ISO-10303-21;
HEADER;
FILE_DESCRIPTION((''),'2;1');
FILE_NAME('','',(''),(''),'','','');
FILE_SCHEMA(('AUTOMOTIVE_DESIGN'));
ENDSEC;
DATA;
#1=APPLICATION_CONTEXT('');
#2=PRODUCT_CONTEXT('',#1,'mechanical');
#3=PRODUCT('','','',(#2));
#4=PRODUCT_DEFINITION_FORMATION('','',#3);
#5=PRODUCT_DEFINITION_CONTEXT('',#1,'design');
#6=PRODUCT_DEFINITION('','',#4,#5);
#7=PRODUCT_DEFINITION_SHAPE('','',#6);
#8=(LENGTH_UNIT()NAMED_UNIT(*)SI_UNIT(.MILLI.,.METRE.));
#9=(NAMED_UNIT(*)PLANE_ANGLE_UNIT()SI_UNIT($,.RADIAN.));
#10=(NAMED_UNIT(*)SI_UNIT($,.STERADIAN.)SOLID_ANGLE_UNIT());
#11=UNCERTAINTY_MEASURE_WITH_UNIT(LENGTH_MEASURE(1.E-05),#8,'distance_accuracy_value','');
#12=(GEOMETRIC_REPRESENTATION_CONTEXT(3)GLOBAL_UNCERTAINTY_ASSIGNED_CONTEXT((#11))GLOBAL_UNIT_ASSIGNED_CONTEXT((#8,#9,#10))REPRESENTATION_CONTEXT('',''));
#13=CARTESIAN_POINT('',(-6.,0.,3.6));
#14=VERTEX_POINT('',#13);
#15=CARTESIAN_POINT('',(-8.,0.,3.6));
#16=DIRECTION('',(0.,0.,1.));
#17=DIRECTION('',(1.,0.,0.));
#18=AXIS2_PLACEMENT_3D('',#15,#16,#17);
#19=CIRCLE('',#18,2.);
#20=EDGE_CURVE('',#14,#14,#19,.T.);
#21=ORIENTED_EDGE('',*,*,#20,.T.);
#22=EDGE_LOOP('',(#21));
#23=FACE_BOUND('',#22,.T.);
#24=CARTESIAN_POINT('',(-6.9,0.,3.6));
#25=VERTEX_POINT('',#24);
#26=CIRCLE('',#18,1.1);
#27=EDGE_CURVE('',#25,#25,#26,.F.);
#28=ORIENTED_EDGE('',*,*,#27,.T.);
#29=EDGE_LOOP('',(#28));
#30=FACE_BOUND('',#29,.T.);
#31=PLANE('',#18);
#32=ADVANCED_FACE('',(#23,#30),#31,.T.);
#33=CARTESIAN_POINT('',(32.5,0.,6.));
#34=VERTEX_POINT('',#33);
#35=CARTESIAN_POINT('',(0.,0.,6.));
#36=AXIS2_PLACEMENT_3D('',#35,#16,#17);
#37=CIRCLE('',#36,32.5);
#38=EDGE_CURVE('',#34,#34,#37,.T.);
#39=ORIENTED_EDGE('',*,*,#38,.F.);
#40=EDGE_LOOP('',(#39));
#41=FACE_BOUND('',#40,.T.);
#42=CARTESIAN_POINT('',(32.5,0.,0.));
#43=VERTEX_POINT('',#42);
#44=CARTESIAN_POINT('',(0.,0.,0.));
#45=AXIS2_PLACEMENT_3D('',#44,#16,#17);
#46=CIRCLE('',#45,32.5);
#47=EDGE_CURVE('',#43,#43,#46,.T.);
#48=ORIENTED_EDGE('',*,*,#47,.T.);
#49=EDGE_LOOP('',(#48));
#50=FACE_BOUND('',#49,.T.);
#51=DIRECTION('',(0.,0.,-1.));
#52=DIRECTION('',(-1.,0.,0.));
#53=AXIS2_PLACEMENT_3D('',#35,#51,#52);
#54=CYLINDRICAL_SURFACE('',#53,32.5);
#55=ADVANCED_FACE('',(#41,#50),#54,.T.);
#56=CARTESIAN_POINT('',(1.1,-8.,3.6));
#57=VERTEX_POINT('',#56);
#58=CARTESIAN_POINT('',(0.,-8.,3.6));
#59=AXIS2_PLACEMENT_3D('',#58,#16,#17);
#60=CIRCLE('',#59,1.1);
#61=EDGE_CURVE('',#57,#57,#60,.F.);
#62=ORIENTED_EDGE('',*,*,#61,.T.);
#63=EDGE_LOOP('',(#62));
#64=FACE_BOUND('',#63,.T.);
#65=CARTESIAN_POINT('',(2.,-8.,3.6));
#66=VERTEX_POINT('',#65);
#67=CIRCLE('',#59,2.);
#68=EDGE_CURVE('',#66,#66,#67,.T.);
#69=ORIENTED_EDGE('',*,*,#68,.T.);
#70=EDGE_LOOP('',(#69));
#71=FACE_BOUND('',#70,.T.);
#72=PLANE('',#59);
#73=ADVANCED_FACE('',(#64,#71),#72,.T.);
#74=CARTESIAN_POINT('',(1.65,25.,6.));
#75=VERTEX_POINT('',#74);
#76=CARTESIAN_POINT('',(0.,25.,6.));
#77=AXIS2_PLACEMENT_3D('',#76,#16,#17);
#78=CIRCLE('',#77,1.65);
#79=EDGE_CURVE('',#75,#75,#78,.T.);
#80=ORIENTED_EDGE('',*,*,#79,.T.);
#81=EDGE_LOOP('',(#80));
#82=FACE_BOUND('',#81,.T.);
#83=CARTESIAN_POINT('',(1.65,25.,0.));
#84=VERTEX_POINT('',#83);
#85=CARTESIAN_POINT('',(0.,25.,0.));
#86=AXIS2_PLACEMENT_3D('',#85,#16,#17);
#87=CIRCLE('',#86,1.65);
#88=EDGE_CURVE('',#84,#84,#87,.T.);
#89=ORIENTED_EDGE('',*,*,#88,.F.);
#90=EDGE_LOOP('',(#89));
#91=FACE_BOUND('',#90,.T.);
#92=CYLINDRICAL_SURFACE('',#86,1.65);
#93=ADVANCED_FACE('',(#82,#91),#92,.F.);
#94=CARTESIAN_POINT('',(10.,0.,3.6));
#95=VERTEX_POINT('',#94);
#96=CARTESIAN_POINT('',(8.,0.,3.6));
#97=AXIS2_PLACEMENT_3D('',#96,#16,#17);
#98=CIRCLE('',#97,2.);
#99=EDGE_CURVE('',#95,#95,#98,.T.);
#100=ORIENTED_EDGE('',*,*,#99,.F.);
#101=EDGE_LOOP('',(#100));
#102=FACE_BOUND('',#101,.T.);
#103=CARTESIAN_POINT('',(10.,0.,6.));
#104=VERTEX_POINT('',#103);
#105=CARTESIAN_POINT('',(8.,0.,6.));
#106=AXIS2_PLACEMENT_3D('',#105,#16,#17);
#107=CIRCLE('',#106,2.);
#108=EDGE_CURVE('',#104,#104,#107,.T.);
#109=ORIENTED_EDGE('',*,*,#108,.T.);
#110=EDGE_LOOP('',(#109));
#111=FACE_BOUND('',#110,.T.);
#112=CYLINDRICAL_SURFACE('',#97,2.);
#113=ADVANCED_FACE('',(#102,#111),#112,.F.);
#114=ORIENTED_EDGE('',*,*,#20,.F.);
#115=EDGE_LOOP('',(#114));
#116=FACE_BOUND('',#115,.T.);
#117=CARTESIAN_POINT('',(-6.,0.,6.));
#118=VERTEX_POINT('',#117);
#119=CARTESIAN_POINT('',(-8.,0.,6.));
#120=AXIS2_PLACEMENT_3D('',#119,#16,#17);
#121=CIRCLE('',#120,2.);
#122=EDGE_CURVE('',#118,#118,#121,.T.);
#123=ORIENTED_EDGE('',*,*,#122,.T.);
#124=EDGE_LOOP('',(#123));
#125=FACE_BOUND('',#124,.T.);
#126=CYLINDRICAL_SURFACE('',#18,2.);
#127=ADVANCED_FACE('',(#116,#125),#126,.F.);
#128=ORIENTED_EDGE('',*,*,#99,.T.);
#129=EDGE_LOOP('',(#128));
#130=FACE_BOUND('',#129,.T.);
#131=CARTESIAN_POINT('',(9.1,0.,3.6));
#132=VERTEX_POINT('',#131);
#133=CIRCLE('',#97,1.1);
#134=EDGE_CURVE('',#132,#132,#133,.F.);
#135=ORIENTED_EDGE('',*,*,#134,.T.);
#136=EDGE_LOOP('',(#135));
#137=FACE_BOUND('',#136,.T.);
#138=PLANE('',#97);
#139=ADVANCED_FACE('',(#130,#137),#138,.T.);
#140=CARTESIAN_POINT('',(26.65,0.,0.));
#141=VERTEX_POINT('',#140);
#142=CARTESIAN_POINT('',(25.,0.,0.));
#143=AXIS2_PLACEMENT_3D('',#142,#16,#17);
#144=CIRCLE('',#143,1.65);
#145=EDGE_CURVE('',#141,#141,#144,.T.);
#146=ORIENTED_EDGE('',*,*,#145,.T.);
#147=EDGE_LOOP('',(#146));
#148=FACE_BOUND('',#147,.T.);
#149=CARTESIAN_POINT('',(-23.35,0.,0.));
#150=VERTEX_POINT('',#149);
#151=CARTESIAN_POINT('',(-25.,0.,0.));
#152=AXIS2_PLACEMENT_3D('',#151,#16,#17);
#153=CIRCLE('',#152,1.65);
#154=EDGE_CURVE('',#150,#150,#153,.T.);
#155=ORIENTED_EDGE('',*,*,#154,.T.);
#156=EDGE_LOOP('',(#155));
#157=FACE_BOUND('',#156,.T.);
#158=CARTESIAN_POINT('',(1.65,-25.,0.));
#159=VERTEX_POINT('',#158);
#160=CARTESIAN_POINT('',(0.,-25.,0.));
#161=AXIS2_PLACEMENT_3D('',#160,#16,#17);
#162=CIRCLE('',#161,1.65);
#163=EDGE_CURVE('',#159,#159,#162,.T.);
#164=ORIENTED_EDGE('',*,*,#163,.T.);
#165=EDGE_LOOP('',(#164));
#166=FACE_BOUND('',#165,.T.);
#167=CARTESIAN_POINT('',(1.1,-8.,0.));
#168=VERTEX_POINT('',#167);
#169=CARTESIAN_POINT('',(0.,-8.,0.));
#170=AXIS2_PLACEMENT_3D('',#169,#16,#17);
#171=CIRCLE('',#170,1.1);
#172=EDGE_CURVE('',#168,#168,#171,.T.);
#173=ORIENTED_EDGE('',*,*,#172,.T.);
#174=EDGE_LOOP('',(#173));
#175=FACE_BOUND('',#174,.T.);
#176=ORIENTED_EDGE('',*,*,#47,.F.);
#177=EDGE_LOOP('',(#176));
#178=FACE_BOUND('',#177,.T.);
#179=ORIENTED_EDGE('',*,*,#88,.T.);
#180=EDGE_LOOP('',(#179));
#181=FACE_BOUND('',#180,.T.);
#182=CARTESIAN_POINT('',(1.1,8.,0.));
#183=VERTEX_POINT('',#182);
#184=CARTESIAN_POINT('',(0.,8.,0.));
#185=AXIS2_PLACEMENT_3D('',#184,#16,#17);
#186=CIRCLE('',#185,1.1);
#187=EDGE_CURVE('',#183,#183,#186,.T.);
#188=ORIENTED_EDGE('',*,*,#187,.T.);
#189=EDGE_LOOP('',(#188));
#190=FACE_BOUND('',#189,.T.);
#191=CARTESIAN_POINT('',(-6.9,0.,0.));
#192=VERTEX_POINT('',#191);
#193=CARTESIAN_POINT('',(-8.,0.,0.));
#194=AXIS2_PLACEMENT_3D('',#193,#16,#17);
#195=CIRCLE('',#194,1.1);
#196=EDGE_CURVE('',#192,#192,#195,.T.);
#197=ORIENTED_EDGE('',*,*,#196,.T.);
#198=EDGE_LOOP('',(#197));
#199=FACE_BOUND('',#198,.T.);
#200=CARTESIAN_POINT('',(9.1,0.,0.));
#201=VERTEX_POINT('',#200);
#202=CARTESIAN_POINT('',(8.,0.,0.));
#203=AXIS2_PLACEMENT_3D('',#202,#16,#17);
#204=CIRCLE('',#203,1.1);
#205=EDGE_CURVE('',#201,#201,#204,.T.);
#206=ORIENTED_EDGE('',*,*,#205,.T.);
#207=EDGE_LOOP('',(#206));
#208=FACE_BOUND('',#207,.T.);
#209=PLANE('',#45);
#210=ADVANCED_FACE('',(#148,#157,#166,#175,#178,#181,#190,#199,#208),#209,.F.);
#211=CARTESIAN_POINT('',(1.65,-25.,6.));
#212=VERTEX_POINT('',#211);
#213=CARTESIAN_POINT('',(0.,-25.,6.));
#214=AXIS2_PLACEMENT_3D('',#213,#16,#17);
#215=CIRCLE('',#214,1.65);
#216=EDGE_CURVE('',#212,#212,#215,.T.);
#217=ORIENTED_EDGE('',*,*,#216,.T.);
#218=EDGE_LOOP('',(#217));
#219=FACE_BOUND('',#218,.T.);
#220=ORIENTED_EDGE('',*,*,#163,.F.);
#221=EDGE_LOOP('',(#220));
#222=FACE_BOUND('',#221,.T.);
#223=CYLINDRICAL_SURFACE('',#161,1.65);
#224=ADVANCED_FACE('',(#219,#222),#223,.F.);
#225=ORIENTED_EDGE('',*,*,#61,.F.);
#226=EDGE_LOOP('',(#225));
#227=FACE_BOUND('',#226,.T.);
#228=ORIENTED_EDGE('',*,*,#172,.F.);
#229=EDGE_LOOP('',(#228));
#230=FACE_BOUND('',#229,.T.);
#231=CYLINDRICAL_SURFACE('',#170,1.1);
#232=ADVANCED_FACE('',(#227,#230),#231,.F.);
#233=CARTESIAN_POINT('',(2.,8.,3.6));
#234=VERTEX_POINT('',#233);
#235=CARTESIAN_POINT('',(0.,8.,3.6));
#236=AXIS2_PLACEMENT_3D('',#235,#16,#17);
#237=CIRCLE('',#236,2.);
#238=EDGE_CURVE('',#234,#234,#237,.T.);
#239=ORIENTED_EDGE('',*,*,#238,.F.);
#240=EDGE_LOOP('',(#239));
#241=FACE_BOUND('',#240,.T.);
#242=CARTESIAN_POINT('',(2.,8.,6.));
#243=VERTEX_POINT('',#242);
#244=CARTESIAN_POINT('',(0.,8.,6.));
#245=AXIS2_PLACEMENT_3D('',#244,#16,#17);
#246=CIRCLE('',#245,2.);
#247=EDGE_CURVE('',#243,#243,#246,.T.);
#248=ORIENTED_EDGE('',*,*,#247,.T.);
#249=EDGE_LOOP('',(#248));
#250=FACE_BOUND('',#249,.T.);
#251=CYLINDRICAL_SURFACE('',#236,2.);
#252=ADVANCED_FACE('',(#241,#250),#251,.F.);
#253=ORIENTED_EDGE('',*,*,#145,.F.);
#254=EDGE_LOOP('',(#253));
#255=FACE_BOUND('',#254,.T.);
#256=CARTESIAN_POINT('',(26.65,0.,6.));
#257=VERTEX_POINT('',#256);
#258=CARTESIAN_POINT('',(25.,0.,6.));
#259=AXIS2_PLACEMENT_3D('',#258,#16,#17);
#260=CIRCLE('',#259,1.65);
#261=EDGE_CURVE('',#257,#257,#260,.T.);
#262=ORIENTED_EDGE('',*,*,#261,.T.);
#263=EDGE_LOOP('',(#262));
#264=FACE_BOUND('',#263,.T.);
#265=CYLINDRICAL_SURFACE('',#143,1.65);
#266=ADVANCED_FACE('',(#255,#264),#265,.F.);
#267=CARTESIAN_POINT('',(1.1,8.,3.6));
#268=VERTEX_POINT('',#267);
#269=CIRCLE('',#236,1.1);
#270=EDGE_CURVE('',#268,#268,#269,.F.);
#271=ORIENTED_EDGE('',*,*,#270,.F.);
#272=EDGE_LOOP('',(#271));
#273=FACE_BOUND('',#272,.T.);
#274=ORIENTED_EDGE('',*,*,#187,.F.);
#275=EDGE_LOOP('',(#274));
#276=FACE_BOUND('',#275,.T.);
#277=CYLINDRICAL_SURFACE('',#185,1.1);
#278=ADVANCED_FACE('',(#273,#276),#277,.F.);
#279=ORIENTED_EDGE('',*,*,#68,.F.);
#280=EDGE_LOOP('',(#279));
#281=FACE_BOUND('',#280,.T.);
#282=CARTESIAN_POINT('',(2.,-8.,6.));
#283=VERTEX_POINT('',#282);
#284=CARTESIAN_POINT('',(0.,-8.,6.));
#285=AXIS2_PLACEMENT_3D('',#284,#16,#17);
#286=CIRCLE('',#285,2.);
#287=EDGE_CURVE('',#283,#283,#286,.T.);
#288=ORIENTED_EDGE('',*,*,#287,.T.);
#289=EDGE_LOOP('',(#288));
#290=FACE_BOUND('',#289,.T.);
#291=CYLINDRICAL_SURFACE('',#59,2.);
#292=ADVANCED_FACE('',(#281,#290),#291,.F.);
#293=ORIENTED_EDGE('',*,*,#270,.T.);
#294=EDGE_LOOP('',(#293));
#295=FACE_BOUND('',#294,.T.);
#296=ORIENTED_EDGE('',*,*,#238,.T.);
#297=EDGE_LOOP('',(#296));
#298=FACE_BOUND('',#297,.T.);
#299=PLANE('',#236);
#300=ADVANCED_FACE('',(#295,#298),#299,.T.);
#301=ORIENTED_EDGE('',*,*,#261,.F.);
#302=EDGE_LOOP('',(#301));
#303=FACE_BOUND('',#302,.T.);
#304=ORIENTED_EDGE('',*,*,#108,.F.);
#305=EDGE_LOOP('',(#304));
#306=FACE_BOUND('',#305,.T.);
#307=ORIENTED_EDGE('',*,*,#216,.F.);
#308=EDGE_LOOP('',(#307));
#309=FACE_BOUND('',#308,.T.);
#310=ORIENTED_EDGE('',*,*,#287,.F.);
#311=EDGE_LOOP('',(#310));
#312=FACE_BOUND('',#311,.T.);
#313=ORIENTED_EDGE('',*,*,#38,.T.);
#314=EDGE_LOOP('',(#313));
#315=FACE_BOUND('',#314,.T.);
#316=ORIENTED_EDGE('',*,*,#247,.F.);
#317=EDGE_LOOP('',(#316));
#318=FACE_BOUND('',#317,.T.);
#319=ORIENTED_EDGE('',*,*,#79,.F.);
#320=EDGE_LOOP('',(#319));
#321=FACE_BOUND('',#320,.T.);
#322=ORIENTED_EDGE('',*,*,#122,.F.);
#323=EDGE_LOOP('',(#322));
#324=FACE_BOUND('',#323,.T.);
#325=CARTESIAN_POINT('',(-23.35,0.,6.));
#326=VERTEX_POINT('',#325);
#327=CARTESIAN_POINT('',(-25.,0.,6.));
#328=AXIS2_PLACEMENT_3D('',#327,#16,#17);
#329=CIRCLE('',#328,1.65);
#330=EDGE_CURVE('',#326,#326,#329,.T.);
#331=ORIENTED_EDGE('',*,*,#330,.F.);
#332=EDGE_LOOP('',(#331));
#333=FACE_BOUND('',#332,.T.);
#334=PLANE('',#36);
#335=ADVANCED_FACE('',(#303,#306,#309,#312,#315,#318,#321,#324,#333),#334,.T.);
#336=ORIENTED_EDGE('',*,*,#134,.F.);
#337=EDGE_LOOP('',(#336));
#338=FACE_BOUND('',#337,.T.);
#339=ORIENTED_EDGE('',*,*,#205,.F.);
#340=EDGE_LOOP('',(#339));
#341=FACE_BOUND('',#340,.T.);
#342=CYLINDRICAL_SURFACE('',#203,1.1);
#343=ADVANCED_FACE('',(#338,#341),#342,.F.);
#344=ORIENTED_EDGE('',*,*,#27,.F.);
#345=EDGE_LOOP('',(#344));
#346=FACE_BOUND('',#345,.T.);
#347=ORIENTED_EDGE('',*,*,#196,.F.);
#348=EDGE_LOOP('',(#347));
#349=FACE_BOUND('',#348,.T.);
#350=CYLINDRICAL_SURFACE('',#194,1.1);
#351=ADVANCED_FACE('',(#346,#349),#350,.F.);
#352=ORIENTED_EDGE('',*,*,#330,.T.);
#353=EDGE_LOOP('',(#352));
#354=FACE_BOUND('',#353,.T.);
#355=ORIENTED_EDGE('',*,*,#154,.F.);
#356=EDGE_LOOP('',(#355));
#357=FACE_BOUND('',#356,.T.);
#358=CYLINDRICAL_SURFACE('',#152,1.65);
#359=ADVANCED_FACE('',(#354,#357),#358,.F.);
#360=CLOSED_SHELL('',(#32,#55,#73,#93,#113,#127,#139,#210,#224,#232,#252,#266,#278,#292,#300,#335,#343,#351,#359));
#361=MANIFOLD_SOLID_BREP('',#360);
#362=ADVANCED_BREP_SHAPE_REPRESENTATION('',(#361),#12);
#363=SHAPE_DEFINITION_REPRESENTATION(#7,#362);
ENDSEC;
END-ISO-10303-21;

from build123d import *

# Parameters (mm, degrees)
SKETCH1_R           = 32.5
BOSS_EXTRUDE1_DEPTH = 6
SKETCH16_R          = 1.1
CUT_EXTRUDE8_DEPTH  = 47.351914739
SKETCH17_R          = 2
CUT_EXTRUDE9_DEPTH  = 2.4
SKETCH12_R          = 1.65
CUT_EXTRUDE10_DEPTH = 47.351914739


with BuildPart() as part:
    # Sketch1 → Boss-Extrude1 (new body)
    with BuildSketch(Plane.XY):
        Circle(SKETCH1_R)
    extrude(amount=BOSS_EXTRUDE1_DEPTH)

    # Sketch16 → Cut-Extrude8 (cut, through all)
    with BuildSketch(Plane.XY.offset(6)):
        with Locations((8, 0)):
            Circle(SKETCH16_R)
        with Locations((-8, 0)):
            Circle(SKETCH16_R)
        with Locations((0, -8)):
            Circle(SKETCH16_R)
        with Locations((0, 8)):
            Circle(SKETCH16_R)
    extrude(amount=-CUT_EXTRUDE8_DEPTH, mode=Mode.SUBTRACT)

    # Sketch17 → Cut-Extrude9 (cut)
    with BuildSketch(Plane.XY.offset(6)):
        with Locations((8, 0)):
            Circle(SKETCH17_R)
        with Locations((-8, 0)):
            Circle(SKETCH17_R)
        with Locations((0, -8)):
            Circle(SKETCH17_R)
        with Locations((0, 8)):
            Circle(SKETCH17_R)
    extrude(amount=-CUT_EXTRUDE9_DEPTH, mode=Mode.SUBTRACT)

    # Sketch12 → Cut-Extrude10 (cut, through all)
    with BuildSketch(Plane.XY.offset(6)):
        with Locations((0, 25)):
            Circle(SKETCH12_R)
        with Locations((25, 0)):
            Circle(SKETCH12_R)
        with Locations((0, -25)):
            Circle(SKETCH12_R)
        with Locations((-25, 0)):
            Circle(SKETCH12_R)
    extrude(amount=-CUT_EXTRUDE10_DEPTH, mode=Mode.SUBTRACT)


solid = part.part
